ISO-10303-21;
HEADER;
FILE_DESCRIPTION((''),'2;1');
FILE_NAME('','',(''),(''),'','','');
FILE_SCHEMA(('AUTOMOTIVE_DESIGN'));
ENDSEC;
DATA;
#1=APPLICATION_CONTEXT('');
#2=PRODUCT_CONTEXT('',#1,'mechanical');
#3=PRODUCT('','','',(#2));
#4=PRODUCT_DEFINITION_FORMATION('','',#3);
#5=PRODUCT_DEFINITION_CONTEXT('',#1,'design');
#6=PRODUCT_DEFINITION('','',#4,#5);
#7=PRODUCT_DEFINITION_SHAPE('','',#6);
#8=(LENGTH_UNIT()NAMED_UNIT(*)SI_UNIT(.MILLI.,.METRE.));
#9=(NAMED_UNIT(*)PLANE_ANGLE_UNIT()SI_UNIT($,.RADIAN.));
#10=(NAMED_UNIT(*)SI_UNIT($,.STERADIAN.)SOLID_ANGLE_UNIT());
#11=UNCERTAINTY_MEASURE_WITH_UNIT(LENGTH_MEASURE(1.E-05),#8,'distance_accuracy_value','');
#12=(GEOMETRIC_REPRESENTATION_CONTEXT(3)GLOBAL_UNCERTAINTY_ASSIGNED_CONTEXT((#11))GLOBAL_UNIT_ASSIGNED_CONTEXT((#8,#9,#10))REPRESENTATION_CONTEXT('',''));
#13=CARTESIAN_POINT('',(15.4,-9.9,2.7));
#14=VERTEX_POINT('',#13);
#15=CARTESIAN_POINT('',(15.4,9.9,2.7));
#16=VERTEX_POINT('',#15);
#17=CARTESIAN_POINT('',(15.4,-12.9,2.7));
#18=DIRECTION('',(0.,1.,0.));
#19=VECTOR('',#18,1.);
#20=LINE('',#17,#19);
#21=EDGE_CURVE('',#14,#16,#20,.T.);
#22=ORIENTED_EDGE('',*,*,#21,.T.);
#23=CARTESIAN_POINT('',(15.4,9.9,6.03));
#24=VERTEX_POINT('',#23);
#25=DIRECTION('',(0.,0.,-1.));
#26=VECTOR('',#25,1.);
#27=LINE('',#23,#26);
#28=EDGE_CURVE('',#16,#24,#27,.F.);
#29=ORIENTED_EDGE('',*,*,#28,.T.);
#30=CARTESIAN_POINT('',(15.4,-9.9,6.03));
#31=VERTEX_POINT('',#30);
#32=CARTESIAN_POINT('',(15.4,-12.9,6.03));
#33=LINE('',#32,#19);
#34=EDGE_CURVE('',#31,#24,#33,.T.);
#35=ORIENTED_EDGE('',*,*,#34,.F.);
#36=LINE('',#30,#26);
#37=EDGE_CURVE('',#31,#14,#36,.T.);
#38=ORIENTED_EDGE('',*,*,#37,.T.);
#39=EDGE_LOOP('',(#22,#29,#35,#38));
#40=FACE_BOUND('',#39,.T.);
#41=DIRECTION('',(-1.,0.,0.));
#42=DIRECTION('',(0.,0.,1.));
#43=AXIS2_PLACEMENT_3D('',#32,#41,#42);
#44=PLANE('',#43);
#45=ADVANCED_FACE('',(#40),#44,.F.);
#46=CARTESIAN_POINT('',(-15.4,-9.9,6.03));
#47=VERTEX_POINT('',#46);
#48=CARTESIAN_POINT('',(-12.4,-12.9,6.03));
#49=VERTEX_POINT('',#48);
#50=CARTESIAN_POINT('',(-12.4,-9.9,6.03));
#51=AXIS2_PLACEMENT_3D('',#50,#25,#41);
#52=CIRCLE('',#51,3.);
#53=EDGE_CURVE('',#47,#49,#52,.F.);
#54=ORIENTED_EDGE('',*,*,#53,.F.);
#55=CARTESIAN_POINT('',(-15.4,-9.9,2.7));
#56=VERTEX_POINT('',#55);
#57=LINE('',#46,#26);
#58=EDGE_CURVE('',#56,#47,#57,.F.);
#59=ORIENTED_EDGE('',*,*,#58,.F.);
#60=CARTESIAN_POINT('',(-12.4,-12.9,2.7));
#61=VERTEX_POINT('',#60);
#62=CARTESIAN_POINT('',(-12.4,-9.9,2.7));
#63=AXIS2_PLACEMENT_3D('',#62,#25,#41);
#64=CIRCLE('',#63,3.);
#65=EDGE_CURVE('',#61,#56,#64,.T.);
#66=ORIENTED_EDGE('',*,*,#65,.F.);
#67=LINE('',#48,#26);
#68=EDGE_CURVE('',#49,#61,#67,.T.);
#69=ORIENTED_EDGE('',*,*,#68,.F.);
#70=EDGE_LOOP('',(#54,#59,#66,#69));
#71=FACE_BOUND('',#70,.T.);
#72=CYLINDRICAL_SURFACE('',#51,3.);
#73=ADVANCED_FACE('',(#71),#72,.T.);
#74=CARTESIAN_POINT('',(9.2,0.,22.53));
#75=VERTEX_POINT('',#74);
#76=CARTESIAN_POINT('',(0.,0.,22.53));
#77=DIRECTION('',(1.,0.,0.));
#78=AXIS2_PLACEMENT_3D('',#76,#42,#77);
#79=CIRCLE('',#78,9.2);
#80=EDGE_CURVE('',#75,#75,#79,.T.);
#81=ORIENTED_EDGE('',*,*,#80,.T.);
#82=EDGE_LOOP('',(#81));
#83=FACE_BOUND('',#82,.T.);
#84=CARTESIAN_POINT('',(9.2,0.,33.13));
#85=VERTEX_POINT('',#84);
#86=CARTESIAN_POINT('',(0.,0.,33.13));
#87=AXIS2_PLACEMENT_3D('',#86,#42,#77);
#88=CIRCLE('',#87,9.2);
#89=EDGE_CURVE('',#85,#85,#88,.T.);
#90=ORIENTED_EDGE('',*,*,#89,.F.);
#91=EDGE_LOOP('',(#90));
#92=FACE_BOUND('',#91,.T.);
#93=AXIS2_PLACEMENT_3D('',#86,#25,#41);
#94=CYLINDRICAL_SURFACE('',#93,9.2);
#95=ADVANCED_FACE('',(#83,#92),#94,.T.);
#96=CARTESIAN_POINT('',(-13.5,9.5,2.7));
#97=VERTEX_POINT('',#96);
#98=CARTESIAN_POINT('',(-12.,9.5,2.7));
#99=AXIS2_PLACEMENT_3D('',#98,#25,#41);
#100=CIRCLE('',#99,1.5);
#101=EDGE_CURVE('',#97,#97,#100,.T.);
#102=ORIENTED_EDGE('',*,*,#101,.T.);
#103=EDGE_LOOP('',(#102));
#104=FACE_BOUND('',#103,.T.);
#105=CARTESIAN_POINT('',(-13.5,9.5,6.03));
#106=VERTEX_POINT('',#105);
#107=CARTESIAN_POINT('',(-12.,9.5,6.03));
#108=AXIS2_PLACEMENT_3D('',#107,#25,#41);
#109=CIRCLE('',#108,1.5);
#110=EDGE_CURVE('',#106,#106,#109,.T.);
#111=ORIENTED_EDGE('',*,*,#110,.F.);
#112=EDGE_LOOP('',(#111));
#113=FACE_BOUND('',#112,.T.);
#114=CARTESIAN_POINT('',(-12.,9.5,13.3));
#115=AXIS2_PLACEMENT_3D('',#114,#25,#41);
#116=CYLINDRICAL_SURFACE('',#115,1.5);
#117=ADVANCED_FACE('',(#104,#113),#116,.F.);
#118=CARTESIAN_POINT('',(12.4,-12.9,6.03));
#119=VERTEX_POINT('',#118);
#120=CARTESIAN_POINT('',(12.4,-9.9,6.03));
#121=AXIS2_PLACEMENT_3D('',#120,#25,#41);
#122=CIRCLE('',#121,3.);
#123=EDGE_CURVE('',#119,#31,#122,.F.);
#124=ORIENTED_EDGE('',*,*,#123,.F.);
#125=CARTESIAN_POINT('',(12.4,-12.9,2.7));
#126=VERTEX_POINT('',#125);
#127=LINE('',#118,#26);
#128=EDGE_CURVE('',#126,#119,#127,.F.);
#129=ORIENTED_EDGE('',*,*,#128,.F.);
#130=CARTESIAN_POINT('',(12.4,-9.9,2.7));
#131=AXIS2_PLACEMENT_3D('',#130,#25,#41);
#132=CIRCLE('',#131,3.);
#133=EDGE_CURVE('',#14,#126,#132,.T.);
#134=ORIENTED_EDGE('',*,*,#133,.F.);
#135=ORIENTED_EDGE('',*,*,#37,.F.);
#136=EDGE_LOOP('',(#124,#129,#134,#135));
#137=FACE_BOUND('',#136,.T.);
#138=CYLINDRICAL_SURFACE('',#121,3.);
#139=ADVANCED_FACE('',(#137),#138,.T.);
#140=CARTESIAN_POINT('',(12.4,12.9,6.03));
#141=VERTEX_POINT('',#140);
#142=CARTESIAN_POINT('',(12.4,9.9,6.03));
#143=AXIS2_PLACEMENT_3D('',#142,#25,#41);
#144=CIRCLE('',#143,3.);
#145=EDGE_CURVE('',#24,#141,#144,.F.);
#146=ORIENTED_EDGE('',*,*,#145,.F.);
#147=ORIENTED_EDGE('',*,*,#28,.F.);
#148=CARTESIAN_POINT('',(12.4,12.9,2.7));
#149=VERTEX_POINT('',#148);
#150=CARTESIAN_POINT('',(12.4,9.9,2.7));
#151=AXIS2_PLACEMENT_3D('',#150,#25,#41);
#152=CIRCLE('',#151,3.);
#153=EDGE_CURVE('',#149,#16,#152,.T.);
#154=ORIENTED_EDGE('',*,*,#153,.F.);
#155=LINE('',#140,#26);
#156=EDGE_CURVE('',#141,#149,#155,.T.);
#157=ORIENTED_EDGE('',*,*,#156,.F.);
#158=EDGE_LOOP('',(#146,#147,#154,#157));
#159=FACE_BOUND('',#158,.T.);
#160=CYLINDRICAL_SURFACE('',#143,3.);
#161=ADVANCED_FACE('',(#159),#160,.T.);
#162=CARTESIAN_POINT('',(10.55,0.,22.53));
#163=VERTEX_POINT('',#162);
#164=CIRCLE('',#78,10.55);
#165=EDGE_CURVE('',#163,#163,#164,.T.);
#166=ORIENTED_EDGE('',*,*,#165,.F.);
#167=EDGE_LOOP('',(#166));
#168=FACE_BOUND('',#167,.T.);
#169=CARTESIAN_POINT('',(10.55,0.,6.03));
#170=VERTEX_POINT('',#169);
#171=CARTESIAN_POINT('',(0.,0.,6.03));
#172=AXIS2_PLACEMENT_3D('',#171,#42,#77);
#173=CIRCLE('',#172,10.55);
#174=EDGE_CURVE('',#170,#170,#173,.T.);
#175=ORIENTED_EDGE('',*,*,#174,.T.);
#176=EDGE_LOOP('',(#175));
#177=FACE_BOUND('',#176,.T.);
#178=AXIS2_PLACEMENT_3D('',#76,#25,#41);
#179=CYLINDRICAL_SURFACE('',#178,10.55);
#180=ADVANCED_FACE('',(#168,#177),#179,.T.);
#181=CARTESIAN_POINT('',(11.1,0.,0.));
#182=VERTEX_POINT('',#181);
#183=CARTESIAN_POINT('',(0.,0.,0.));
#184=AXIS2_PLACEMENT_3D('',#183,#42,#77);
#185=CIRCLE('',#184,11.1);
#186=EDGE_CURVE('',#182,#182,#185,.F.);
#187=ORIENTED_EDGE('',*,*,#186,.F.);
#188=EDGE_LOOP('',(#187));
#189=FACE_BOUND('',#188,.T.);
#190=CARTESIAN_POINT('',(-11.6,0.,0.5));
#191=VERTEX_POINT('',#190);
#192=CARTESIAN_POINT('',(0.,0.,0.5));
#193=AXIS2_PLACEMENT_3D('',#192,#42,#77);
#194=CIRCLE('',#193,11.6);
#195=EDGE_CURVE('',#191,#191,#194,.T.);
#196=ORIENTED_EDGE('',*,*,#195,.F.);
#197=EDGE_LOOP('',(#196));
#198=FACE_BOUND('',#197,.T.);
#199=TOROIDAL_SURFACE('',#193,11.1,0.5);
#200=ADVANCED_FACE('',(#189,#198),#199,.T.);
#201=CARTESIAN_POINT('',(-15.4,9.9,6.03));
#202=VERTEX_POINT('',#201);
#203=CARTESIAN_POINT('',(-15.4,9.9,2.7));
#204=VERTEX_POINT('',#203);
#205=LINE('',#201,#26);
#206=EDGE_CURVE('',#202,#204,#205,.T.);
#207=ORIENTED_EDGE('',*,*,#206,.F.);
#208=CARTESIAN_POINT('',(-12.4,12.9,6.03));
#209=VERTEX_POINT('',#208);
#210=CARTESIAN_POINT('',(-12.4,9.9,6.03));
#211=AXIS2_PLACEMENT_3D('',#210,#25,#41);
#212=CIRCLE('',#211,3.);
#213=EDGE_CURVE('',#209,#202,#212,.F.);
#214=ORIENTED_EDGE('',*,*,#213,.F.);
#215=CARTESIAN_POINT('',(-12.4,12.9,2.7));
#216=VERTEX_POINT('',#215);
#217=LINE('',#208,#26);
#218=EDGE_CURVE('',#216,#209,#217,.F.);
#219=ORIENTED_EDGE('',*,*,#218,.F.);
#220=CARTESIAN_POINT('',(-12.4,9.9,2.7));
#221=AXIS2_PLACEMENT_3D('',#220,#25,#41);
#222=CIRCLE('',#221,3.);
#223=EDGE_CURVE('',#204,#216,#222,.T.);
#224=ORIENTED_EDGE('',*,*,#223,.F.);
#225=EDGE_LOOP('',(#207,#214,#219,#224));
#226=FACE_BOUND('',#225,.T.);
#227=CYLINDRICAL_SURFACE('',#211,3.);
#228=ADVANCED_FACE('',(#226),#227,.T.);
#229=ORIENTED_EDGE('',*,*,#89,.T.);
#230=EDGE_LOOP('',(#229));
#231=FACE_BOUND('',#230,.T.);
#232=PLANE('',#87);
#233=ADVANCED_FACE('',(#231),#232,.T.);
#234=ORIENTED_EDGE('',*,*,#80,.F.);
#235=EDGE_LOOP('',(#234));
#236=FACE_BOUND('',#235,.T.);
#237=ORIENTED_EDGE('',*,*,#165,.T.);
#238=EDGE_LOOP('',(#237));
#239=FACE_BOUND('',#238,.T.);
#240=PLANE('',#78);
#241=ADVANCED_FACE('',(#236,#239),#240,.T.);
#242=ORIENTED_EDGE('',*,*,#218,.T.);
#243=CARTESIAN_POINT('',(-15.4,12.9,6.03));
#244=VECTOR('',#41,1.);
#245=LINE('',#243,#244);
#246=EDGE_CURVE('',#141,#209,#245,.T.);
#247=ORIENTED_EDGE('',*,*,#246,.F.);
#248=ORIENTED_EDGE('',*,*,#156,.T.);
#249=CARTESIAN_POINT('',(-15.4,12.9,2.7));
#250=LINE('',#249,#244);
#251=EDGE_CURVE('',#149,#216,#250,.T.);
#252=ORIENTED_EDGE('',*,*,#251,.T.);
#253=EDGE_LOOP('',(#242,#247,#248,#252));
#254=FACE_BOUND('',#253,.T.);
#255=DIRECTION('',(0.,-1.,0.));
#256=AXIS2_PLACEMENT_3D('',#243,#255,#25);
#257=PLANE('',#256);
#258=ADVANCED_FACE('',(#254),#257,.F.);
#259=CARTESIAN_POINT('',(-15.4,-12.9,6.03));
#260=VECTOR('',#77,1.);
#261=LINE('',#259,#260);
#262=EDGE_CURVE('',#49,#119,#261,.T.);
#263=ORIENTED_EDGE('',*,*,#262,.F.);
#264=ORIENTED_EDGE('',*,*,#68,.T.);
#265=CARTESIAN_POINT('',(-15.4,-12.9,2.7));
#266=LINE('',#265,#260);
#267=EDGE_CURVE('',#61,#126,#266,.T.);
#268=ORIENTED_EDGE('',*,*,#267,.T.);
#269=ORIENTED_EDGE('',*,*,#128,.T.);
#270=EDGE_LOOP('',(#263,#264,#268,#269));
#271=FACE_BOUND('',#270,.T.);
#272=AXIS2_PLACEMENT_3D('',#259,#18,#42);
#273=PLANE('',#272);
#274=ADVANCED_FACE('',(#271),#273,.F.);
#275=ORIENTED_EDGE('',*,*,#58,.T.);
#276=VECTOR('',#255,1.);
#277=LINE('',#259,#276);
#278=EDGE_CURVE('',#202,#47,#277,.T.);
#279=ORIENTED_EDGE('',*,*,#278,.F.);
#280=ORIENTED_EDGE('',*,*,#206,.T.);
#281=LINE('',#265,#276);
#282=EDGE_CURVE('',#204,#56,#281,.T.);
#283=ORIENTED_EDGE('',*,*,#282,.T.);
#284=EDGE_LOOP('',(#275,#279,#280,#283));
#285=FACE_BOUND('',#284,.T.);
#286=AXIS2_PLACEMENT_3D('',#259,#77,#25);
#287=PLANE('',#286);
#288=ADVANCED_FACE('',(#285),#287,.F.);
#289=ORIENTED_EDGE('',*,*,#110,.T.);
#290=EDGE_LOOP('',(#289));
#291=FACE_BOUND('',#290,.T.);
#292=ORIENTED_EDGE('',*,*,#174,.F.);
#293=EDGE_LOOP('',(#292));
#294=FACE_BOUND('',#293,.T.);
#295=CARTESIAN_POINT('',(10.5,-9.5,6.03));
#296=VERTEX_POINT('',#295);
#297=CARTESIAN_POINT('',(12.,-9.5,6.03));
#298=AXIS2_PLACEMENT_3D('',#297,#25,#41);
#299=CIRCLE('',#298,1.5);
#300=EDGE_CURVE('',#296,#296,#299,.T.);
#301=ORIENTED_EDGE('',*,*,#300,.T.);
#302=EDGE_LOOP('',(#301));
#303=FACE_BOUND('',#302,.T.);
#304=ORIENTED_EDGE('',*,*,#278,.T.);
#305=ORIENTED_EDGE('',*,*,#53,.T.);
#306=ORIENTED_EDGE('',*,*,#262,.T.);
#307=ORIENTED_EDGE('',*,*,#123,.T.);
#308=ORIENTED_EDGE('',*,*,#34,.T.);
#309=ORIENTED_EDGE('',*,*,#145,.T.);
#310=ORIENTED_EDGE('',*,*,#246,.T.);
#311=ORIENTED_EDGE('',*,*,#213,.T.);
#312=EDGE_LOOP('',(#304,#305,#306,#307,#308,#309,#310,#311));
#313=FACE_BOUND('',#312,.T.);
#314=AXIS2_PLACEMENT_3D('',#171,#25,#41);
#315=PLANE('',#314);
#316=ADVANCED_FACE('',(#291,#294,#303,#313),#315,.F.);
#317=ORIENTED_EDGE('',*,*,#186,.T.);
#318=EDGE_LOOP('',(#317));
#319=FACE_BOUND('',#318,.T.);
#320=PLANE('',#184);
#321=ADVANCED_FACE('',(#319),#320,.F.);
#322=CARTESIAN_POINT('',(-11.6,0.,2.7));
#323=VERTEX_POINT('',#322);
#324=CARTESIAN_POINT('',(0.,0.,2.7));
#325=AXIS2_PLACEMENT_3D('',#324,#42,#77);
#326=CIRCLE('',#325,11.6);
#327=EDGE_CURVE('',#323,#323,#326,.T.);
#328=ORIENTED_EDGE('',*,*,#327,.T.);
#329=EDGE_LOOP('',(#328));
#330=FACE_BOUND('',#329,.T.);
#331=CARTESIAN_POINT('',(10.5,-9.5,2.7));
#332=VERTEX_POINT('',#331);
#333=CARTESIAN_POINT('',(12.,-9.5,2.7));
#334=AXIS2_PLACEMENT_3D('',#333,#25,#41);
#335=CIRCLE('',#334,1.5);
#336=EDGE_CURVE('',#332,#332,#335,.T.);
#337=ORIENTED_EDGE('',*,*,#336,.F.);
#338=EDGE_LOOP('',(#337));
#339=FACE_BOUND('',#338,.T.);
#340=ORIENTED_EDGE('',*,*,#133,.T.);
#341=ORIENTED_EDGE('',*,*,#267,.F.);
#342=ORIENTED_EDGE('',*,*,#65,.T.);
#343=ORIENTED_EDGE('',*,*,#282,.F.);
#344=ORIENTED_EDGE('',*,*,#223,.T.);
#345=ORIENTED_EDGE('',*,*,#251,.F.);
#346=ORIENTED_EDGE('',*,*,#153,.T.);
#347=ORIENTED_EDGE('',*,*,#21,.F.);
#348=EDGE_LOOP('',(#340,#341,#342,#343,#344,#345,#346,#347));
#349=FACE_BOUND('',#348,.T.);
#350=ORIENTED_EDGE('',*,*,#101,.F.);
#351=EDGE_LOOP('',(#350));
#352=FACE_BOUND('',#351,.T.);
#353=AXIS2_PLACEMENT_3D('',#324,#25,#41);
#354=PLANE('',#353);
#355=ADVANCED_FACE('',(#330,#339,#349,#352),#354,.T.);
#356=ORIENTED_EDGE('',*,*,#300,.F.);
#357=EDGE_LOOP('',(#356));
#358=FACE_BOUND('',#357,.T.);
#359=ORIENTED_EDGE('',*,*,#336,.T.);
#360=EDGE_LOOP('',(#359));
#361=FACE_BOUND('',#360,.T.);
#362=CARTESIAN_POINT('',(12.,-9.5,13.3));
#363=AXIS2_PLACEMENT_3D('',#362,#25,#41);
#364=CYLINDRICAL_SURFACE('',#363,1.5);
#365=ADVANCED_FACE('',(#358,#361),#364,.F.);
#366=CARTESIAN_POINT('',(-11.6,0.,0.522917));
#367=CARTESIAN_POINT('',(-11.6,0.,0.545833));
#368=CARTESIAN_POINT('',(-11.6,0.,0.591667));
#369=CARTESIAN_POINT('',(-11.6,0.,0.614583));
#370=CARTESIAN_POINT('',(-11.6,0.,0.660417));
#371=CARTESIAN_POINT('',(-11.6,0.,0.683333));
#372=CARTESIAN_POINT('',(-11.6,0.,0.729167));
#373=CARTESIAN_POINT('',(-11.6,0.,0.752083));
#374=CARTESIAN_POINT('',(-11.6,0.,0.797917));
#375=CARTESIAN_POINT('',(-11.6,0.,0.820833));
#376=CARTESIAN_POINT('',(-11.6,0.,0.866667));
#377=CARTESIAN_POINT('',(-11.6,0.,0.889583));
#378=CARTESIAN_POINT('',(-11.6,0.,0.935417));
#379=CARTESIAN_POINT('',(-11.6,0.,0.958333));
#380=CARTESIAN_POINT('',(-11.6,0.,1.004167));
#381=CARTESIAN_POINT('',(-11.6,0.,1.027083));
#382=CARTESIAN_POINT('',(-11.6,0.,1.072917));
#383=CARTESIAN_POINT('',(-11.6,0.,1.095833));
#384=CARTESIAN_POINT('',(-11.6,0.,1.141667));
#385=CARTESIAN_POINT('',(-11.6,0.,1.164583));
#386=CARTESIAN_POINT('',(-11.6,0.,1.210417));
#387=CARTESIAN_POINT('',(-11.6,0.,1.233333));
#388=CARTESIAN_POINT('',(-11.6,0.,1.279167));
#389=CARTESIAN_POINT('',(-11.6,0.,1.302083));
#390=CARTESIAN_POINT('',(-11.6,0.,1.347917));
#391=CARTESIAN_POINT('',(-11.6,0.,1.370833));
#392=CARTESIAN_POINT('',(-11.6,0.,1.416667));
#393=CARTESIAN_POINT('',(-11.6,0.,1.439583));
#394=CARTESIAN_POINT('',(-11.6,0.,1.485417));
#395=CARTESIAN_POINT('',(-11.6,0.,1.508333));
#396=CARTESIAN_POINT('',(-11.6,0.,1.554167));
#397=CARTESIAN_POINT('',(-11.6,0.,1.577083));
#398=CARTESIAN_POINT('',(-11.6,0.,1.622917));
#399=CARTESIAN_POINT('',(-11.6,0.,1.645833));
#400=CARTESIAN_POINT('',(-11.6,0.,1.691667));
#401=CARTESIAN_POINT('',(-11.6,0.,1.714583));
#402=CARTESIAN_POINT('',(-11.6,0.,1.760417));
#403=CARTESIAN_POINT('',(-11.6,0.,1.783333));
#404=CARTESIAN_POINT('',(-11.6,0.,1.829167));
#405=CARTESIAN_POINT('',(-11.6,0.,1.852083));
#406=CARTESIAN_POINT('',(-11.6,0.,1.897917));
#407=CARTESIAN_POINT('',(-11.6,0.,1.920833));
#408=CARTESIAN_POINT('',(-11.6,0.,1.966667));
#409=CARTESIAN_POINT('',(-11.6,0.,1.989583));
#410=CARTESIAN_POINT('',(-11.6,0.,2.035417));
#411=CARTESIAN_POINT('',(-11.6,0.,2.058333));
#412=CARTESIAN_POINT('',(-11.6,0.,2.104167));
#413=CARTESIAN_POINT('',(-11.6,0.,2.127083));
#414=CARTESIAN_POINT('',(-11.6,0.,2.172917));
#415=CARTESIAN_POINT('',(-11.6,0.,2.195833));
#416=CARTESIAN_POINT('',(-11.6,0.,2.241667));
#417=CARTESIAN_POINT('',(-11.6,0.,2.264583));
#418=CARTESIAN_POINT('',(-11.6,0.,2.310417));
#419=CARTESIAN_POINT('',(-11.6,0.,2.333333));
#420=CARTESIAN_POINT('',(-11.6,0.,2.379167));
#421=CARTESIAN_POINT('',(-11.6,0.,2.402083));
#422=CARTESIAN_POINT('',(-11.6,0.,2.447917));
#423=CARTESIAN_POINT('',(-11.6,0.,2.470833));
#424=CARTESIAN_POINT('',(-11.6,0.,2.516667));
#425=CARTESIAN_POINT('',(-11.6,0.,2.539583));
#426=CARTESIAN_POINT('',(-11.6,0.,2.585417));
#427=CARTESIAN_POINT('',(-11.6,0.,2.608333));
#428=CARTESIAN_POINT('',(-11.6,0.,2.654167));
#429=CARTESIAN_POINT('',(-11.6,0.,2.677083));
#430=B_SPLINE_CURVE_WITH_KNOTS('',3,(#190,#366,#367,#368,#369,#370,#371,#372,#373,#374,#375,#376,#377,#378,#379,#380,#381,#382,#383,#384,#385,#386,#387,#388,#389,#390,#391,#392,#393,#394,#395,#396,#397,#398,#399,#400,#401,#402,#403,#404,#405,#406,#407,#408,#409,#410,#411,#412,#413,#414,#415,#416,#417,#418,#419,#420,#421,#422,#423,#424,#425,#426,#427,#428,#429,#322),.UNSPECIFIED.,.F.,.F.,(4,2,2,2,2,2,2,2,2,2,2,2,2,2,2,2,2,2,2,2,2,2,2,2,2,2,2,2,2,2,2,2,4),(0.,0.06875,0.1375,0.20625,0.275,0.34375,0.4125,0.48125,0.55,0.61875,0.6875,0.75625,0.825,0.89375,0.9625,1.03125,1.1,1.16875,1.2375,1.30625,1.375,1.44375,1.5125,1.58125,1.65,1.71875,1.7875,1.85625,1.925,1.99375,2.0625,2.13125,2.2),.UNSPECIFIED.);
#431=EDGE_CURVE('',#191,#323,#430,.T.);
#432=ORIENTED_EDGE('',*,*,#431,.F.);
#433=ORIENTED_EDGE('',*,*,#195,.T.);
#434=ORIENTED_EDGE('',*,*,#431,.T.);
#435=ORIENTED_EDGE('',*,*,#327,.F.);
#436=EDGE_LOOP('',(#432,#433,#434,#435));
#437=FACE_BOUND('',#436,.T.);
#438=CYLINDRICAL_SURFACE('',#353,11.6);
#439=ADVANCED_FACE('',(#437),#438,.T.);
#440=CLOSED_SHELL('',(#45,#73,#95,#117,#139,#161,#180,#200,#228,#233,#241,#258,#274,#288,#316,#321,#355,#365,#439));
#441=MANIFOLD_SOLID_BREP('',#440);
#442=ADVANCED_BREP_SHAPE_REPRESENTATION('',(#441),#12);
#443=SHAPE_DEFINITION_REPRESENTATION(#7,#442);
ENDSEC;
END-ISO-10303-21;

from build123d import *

# Parameters (mm, degrees)
SZKIC1_R                    = 11.6
DODANIE_WYCI_GNI_CIE1_DEPTH = 2.7
ZAOKR_GLENIE1_R             = 0.5
SZKIC2_W                    = 30.8
SZKIC2_H                    = 25.8
DODANIE_WYCI_GNI_CIE2_DEPTH = 3.33
SZKIC3_R                    = 10.55
DODANIE_WYCI_GNI_CIE3_DEPTH = 16.5
SZKIC4_R                    = 9.2
DODANIE_WYCI_GNI_CIE4_DEPTH = 10.6
SZKIC5_R                    = 1.5
WYTNIJ_WYCI_GNI_CIE1_DEPTH  = 10.6
ZAOKR_GLENIE2_R             = 3


with BuildPart() as part:
    # Szkic1 → Dodanie-wyciągnięcie1 (new body)
    with BuildSketch(Plane.XY):
        with Locations(Location((0, 0, 0), (0, 0, 180))):
            Circle(SZKIC1_R)
    extrude(amount=DODANIE_WYCI_GNI_CIE1_DEPTH)

    # Zaokrąglenie1
    zaokr_glenie1_edges = [part.edges().sort_by_distance(p)[0] for p in [
        (11.6, 0, 0),
    ]]
    fillet(zaokr_glenie1_edges, radius=ZAOKR_GLENIE1_R)

    # Szkic2 → Dodanie-wyciągnięcie2 (add)
    with BuildSketch(Plane.XY.offset(2.7)):
        Rectangle(SZKIC2_W, SZKIC2_H)
    extrude(amount=DODANIE_WYCI_GNI_CIE2_DEPTH)

    # Szkic3 → Dodanie-wyciągnięcie3 (add)
    with BuildSketch(Plane.XY.offset(6.03)):
        Circle(SZKIC3_R)
    extrude(amount=DODANIE_WYCI_GNI_CIE3_DEPTH)

    # Szkic4 → Dodanie-wyciągnięcie4 (add)
    with BuildSketch(Plane.XY.offset(22.53)):
        Circle(SZKIC4_R)
    extrude(amount=DODANIE_WYCI_GNI_CIE4_DEPTH)

    # Szkic5 → Wytnij-wyciągnięcie1 (cut)
    with BuildSketch(Plane(origin=(0, 0, 2.7), x_dir=(-1, 0, 0), z_dir=(0, 0, -1))):
        with Locations((-12, -9.5)):
            Circle(SZKIC5_R)
        with Locations((12, 9.5)):
            Circle(SZKIC5_R)
    extrude(amount=-WYTNIJ_WYCI_GNI_CIE1_DEPTH, mode=Mode.SUBTRACT)

    # Zaokrąglenie2
    zaokr_glenie2_edges = [part.edges().sort_by_distance(p)[0] for p in [
        (-15.4, 12.9, 4.365),
        (-15.4, -12.9, 4.365),
        (15.4, -12.9, 4.365),
        (15.4, 12.9, 4.365),
    ]]
    fillet(zaokr_glenie2_edges, radius=ZAOKR_GLENIE2_R)


solid = part.part
